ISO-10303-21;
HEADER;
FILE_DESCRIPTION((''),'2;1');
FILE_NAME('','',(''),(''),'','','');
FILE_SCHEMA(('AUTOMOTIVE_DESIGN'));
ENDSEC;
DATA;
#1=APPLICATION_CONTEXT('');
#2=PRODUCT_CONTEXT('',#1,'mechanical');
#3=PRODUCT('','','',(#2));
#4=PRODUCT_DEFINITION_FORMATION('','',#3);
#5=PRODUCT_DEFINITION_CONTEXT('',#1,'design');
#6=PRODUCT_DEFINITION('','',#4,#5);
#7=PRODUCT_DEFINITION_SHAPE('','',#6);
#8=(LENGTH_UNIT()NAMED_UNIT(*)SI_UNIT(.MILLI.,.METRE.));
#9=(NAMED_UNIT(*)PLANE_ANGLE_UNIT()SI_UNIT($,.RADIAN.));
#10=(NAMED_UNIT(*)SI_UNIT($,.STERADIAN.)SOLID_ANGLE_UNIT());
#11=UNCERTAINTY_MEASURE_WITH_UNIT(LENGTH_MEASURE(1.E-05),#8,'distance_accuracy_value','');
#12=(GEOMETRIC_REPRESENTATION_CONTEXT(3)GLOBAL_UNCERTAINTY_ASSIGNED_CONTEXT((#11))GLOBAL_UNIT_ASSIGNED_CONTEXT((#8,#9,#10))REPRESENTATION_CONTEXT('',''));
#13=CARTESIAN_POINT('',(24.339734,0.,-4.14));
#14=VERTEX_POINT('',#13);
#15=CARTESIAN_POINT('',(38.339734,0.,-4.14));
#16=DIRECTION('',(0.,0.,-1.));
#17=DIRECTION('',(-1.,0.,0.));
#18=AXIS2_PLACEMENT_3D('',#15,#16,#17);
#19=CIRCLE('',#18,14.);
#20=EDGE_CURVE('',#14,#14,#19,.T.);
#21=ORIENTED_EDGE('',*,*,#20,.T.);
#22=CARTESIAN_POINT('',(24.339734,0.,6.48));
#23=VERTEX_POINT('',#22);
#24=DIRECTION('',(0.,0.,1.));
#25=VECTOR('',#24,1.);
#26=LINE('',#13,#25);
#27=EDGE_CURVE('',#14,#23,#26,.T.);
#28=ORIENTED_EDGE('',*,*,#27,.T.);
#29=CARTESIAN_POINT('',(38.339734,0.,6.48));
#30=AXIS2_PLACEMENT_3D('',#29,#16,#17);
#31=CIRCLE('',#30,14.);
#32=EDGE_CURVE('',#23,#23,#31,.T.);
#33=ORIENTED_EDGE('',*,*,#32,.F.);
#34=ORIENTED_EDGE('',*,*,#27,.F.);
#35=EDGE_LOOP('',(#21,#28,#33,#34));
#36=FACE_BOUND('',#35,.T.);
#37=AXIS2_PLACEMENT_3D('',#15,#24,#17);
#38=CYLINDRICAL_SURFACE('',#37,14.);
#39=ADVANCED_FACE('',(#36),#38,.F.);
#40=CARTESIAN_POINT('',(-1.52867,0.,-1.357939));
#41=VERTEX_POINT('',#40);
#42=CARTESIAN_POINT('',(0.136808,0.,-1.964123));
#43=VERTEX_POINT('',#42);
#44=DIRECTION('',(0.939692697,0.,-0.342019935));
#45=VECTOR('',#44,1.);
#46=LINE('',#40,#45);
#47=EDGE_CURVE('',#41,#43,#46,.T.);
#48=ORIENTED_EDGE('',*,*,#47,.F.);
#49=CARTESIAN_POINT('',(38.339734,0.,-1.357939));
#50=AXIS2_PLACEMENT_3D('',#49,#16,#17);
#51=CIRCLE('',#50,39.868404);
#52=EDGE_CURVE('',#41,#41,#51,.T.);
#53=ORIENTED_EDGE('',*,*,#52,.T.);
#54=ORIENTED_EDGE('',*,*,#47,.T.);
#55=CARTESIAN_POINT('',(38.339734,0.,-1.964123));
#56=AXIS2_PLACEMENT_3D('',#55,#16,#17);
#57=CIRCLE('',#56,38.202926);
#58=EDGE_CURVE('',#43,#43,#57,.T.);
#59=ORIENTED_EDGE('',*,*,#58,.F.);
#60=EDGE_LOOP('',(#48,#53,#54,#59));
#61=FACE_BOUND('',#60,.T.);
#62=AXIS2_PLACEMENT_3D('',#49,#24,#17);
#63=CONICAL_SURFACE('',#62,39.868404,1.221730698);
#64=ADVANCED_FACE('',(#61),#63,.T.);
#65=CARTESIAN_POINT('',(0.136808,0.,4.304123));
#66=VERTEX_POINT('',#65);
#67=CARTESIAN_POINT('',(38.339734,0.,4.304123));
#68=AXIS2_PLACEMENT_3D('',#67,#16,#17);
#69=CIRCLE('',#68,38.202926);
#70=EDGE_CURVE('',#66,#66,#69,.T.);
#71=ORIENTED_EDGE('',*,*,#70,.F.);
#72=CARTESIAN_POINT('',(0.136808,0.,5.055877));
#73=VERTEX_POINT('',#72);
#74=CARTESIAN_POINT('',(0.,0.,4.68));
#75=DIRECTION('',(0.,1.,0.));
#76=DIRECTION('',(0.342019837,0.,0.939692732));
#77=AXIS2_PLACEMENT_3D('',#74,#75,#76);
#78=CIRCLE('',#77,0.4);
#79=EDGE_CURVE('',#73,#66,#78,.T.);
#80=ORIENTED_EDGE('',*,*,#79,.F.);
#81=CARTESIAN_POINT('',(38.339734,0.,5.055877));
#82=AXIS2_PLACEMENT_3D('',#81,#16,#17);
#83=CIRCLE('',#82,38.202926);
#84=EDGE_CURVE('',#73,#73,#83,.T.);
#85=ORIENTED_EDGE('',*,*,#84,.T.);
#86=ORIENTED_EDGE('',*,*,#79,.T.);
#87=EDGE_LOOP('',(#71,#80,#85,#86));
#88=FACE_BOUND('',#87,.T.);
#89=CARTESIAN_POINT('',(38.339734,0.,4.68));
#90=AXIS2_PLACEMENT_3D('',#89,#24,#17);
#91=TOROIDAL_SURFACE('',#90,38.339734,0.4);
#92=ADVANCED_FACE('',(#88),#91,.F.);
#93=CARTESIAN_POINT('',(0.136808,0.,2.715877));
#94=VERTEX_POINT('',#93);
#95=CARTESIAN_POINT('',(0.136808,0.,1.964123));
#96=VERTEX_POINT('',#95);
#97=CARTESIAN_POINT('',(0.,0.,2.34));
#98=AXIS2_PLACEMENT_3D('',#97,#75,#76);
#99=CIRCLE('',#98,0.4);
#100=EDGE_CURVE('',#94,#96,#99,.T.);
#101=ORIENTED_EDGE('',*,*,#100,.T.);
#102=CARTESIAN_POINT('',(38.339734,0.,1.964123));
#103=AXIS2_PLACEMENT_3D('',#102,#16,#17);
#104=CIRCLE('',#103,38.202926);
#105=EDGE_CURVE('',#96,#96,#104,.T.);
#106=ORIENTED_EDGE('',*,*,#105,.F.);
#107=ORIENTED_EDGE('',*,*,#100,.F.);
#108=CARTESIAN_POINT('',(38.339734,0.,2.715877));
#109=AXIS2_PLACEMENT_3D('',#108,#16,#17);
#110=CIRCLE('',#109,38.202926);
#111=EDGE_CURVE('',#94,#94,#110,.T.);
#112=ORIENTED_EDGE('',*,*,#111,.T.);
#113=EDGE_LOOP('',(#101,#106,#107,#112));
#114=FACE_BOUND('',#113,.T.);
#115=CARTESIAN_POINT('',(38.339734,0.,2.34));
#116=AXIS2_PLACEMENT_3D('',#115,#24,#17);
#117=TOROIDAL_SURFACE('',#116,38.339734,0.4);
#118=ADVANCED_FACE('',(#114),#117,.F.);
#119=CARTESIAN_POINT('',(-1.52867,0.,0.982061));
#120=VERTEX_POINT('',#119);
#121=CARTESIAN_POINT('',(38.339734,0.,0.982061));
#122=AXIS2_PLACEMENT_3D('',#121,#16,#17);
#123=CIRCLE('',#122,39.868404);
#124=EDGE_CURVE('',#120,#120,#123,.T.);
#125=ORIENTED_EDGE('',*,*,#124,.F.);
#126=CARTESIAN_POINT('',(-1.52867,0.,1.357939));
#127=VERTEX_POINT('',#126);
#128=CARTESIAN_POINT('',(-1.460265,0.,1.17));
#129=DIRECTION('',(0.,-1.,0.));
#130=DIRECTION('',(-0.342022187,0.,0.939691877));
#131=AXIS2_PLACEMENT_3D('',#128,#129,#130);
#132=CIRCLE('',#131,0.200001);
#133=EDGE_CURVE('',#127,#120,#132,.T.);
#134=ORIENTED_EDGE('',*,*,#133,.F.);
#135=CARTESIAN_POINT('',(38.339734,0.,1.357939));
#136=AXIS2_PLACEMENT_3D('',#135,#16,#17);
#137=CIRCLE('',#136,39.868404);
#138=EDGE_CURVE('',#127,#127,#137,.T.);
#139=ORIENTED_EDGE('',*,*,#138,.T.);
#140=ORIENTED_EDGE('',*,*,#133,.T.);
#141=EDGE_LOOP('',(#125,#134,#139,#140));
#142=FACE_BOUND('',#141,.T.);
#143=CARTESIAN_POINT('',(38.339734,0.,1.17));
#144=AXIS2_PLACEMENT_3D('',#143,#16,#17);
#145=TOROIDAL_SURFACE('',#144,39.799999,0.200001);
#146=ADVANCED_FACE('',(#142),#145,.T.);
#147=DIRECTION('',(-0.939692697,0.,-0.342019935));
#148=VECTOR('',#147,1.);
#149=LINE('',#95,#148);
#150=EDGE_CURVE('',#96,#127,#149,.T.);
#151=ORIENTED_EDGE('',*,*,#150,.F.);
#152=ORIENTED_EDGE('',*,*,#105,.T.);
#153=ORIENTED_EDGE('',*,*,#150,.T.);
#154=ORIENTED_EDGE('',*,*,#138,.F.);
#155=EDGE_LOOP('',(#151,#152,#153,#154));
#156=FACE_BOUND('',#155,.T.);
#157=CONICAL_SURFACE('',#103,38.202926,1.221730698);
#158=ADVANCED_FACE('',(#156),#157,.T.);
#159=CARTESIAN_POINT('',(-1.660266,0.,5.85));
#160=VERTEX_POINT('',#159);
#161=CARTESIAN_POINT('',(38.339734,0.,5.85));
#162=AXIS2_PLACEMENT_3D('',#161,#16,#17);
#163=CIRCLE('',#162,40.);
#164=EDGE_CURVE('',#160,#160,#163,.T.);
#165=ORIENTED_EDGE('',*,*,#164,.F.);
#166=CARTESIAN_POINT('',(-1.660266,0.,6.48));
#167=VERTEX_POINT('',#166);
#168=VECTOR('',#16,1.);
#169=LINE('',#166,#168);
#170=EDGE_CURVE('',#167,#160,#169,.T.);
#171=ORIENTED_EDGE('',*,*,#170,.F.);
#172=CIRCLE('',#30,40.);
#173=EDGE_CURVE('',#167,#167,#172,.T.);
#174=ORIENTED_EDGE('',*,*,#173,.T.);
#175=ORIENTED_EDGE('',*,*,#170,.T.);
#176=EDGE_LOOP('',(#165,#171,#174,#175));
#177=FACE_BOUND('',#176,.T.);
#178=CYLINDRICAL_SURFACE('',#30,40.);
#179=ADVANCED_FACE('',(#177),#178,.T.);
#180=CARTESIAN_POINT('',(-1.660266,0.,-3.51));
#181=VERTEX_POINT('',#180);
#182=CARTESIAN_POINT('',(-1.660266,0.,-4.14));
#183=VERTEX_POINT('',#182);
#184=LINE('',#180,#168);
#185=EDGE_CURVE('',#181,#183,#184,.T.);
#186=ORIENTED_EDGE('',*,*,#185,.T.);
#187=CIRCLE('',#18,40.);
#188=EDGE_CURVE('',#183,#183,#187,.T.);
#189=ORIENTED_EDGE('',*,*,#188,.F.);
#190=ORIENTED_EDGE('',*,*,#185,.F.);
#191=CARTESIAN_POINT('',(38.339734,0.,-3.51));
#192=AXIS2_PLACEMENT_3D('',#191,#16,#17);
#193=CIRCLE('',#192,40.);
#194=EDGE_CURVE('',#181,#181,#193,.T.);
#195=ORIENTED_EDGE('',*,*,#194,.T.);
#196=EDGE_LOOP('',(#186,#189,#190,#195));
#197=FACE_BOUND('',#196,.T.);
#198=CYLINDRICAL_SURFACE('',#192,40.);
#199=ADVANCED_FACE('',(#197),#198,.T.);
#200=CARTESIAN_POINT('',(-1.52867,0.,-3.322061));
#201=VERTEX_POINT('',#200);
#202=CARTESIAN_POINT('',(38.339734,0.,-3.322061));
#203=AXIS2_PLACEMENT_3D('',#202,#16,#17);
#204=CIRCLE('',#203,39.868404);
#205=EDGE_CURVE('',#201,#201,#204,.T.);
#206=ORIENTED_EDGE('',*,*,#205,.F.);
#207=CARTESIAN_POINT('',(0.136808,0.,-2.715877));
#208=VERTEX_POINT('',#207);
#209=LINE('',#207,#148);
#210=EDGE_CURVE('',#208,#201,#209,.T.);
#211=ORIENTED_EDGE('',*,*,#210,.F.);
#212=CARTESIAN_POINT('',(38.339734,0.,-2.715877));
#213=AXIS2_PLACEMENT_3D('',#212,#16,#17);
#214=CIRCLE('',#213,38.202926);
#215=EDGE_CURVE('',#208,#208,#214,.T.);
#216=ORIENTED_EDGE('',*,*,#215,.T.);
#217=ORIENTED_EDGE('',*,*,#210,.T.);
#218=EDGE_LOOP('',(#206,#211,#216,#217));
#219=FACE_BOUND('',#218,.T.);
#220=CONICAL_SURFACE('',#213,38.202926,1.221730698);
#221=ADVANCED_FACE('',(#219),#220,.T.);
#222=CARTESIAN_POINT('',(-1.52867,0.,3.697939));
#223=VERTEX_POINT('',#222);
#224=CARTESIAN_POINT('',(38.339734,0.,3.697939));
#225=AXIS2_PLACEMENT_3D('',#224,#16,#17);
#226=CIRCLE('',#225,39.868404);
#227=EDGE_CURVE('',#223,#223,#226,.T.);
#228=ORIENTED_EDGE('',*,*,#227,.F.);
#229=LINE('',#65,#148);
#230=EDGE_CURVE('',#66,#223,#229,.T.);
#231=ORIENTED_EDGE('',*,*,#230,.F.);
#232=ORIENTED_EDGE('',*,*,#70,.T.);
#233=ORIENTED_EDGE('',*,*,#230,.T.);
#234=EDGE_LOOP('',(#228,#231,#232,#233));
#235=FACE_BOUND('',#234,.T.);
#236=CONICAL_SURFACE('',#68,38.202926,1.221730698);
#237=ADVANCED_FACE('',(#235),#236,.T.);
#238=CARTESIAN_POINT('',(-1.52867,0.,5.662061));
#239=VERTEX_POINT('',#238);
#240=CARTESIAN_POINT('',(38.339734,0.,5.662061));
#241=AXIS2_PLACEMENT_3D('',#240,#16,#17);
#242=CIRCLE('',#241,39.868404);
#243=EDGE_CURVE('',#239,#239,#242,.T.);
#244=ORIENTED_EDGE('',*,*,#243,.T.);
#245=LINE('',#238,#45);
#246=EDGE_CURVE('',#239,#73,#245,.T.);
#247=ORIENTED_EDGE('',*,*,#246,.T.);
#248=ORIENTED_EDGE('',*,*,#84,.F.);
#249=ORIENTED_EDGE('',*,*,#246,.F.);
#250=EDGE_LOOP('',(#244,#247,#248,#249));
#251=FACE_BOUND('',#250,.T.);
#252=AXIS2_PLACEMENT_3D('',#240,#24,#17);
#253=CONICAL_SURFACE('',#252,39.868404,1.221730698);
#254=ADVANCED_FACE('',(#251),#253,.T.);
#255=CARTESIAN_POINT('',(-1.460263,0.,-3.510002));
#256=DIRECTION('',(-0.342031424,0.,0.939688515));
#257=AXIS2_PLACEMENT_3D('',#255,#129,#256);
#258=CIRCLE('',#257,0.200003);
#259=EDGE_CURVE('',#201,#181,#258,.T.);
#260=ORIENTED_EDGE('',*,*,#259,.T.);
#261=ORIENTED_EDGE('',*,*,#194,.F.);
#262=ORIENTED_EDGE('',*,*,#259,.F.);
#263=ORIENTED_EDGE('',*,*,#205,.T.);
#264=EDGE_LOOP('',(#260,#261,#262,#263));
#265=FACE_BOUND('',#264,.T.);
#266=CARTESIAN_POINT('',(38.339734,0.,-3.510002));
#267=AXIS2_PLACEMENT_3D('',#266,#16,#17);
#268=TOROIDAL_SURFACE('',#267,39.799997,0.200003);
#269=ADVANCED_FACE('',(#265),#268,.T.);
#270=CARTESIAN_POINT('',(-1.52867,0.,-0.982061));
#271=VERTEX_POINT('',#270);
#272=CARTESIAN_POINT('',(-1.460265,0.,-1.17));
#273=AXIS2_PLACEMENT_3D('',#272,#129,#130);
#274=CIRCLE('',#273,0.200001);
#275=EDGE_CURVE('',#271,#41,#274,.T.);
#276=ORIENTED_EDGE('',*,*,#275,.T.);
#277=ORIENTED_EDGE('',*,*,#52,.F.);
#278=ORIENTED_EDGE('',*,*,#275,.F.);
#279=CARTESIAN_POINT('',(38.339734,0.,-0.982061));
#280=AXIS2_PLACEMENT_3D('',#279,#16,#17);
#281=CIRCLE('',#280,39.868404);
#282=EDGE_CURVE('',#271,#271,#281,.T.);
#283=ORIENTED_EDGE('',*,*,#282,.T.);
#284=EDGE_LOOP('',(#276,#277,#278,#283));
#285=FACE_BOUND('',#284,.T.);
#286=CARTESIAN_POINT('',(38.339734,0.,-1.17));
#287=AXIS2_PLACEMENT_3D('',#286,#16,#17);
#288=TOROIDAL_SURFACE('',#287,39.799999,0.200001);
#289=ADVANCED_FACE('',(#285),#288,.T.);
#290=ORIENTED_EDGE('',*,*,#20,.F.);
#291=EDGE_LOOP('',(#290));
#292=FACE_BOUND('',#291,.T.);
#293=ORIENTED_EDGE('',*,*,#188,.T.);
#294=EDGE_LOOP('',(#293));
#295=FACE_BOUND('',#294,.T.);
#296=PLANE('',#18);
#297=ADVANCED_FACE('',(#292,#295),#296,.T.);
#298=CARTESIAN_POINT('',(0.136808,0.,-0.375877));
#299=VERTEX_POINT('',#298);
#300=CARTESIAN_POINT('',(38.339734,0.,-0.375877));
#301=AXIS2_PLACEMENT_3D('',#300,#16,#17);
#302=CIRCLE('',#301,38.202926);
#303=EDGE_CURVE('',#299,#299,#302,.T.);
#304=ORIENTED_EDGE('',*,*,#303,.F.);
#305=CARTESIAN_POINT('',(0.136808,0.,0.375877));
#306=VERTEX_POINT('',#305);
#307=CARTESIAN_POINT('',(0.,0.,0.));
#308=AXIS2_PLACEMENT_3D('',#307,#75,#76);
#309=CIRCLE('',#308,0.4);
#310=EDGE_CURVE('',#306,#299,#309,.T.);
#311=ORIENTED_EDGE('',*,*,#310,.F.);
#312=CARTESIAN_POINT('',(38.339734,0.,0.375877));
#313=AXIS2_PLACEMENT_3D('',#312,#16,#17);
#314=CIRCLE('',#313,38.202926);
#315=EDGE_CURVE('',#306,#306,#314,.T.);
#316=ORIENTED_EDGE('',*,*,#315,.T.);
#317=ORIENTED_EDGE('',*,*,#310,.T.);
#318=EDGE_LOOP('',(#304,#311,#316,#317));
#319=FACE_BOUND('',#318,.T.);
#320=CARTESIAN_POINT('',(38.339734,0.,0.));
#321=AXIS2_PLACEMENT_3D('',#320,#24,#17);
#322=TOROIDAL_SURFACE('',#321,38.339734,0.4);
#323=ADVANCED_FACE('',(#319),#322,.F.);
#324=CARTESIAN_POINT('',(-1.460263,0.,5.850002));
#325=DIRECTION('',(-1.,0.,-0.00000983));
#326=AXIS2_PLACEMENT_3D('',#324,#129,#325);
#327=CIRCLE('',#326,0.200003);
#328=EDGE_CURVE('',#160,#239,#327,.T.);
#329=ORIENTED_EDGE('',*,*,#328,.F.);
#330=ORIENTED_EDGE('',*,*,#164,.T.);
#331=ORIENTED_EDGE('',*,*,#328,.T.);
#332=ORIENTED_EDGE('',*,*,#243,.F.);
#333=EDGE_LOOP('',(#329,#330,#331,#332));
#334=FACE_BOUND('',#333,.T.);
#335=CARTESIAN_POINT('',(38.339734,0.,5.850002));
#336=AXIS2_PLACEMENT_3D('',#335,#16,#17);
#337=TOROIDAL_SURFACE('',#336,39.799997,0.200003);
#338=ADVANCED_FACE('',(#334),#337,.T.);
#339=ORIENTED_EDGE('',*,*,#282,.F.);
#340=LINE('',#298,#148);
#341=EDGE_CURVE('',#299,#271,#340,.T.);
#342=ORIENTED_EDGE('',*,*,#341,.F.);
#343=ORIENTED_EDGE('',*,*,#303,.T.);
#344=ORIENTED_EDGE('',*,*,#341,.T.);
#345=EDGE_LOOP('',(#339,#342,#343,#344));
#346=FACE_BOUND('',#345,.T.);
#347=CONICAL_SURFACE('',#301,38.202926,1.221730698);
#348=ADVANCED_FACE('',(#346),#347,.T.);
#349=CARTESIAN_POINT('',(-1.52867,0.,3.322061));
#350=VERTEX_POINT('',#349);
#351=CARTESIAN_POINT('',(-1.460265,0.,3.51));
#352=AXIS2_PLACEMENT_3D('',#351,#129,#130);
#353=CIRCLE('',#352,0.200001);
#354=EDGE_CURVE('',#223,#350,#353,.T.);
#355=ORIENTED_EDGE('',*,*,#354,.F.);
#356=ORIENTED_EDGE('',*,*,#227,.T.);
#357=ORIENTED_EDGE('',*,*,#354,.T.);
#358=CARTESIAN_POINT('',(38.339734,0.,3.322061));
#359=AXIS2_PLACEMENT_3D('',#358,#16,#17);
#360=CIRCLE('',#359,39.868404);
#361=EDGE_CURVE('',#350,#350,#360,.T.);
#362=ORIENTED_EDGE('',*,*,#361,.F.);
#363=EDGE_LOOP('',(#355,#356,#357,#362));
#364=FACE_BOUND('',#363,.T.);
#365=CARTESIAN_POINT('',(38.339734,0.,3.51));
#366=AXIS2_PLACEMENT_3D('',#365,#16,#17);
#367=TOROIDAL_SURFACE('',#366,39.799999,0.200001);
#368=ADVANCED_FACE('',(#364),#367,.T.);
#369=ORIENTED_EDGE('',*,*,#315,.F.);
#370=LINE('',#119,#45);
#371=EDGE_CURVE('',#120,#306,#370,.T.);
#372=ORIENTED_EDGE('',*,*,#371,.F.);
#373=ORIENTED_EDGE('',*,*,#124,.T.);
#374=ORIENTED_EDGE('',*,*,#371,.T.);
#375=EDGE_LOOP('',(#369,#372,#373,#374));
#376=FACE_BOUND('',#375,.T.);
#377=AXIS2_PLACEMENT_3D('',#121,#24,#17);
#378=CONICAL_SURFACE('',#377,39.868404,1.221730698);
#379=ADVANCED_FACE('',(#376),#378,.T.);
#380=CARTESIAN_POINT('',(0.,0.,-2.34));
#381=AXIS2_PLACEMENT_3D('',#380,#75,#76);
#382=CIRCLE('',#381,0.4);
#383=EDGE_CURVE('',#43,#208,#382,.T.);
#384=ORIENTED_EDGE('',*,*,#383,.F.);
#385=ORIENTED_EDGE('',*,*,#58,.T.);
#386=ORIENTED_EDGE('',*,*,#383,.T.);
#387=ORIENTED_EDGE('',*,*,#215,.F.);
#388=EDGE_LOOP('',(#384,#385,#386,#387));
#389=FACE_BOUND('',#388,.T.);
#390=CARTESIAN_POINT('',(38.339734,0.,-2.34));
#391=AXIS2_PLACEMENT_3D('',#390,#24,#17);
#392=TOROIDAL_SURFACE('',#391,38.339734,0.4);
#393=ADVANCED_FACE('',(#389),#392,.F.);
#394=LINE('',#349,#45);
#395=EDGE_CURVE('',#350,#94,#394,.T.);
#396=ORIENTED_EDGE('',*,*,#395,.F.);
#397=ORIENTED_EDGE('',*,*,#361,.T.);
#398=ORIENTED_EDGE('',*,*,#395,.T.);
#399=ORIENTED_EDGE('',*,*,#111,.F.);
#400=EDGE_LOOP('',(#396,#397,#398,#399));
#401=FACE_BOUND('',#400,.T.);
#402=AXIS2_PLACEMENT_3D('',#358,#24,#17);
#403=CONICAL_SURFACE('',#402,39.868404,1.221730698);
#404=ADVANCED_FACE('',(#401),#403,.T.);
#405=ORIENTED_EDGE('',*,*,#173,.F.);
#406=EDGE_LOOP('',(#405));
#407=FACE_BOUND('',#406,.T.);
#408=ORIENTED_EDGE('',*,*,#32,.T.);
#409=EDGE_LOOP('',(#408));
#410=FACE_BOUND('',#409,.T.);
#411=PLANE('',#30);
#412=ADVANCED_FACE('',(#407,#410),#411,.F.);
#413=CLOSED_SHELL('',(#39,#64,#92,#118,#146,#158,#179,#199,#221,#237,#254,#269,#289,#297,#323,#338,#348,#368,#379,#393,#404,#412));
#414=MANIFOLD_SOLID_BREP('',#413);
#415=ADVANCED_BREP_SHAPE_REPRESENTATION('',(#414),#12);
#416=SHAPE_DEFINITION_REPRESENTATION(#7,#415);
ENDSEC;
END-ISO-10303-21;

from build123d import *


with BuildPart() as f1:
    # F0 (on Front) → F1 (revolve)
    with BuildSketch(Plane.XZ):
        with BuildLine():
            ThreePointArc((0.136808, 0.375877), (0.4, 0), (0.136808, -0.375877))
            Line((0.136808, -0.375877), (-1.52867, -0.982061))
            ThreePointArc((-1.52867, -0.982061), (-1.660266, -1.17), (-1.52867, -1.357939))
            Line((-1.52867, -1.357939), (0.136808, -1.964123))
            ThreePointArc((0.136808, -1.964123), (0.4, -2.34), (0.136808, -2.715877))
            Line((0.136808, -2.715877), (-1.52867, -3.322061))
            ThreePointArc((-1.52867, -3.322061), (-1.624096, -3.395285), (-1.660266, -3.51))
            Line((-1.660266, -3.51), (-1.660266, -4.14))
            Line((-1.660266, -4.14), (24.339734, -4.14))
            Line((24.339734, -4.14), (24.339734, 6.48))
            Line((24.339734, 6.48), (-1.660266, 6.48))
            Line((-1.660266, 6.48), (-1.660266, 5.85))
            ThreePointArc((-1.660266, 5.85), (-1.624096, 5.735285), (-1.52867, 5.662061))
            Line((-1.52867, 5.662061), (0.136808, 5.055877))
            ThreePointArc((0.136808, 5.055877), (0.4, 4.68), (0.136808, 4.304123))
            Line((0.136808, 4.304123), (-1.52867, 3.697939))
            ThreePointArc((-1.52867, 3.697939), (-1.660266, 3.51), (-1.52867, 3.322061))
            Line((-1.52867, 3.322061), (0.136808, 2.715877))
            ThreePointArc((0.136808, 2.715877), (0.4, 2.34), (0.136808, 1.964123))
            Line((0.136808, 1.964123), (-1.52867, 1.357939))
            ThreePointArc((-1.52867, 1.357939), (-1.660266, 1.17), (-1.52867, 0.982061))
            Line((-1.52867, 0.982061), (0.136808, 0.375877))
        make_face()
    revolve(axis=Axis((38.339734, 0, 1.17), (0, 0, -1)))


solid = f1.part
